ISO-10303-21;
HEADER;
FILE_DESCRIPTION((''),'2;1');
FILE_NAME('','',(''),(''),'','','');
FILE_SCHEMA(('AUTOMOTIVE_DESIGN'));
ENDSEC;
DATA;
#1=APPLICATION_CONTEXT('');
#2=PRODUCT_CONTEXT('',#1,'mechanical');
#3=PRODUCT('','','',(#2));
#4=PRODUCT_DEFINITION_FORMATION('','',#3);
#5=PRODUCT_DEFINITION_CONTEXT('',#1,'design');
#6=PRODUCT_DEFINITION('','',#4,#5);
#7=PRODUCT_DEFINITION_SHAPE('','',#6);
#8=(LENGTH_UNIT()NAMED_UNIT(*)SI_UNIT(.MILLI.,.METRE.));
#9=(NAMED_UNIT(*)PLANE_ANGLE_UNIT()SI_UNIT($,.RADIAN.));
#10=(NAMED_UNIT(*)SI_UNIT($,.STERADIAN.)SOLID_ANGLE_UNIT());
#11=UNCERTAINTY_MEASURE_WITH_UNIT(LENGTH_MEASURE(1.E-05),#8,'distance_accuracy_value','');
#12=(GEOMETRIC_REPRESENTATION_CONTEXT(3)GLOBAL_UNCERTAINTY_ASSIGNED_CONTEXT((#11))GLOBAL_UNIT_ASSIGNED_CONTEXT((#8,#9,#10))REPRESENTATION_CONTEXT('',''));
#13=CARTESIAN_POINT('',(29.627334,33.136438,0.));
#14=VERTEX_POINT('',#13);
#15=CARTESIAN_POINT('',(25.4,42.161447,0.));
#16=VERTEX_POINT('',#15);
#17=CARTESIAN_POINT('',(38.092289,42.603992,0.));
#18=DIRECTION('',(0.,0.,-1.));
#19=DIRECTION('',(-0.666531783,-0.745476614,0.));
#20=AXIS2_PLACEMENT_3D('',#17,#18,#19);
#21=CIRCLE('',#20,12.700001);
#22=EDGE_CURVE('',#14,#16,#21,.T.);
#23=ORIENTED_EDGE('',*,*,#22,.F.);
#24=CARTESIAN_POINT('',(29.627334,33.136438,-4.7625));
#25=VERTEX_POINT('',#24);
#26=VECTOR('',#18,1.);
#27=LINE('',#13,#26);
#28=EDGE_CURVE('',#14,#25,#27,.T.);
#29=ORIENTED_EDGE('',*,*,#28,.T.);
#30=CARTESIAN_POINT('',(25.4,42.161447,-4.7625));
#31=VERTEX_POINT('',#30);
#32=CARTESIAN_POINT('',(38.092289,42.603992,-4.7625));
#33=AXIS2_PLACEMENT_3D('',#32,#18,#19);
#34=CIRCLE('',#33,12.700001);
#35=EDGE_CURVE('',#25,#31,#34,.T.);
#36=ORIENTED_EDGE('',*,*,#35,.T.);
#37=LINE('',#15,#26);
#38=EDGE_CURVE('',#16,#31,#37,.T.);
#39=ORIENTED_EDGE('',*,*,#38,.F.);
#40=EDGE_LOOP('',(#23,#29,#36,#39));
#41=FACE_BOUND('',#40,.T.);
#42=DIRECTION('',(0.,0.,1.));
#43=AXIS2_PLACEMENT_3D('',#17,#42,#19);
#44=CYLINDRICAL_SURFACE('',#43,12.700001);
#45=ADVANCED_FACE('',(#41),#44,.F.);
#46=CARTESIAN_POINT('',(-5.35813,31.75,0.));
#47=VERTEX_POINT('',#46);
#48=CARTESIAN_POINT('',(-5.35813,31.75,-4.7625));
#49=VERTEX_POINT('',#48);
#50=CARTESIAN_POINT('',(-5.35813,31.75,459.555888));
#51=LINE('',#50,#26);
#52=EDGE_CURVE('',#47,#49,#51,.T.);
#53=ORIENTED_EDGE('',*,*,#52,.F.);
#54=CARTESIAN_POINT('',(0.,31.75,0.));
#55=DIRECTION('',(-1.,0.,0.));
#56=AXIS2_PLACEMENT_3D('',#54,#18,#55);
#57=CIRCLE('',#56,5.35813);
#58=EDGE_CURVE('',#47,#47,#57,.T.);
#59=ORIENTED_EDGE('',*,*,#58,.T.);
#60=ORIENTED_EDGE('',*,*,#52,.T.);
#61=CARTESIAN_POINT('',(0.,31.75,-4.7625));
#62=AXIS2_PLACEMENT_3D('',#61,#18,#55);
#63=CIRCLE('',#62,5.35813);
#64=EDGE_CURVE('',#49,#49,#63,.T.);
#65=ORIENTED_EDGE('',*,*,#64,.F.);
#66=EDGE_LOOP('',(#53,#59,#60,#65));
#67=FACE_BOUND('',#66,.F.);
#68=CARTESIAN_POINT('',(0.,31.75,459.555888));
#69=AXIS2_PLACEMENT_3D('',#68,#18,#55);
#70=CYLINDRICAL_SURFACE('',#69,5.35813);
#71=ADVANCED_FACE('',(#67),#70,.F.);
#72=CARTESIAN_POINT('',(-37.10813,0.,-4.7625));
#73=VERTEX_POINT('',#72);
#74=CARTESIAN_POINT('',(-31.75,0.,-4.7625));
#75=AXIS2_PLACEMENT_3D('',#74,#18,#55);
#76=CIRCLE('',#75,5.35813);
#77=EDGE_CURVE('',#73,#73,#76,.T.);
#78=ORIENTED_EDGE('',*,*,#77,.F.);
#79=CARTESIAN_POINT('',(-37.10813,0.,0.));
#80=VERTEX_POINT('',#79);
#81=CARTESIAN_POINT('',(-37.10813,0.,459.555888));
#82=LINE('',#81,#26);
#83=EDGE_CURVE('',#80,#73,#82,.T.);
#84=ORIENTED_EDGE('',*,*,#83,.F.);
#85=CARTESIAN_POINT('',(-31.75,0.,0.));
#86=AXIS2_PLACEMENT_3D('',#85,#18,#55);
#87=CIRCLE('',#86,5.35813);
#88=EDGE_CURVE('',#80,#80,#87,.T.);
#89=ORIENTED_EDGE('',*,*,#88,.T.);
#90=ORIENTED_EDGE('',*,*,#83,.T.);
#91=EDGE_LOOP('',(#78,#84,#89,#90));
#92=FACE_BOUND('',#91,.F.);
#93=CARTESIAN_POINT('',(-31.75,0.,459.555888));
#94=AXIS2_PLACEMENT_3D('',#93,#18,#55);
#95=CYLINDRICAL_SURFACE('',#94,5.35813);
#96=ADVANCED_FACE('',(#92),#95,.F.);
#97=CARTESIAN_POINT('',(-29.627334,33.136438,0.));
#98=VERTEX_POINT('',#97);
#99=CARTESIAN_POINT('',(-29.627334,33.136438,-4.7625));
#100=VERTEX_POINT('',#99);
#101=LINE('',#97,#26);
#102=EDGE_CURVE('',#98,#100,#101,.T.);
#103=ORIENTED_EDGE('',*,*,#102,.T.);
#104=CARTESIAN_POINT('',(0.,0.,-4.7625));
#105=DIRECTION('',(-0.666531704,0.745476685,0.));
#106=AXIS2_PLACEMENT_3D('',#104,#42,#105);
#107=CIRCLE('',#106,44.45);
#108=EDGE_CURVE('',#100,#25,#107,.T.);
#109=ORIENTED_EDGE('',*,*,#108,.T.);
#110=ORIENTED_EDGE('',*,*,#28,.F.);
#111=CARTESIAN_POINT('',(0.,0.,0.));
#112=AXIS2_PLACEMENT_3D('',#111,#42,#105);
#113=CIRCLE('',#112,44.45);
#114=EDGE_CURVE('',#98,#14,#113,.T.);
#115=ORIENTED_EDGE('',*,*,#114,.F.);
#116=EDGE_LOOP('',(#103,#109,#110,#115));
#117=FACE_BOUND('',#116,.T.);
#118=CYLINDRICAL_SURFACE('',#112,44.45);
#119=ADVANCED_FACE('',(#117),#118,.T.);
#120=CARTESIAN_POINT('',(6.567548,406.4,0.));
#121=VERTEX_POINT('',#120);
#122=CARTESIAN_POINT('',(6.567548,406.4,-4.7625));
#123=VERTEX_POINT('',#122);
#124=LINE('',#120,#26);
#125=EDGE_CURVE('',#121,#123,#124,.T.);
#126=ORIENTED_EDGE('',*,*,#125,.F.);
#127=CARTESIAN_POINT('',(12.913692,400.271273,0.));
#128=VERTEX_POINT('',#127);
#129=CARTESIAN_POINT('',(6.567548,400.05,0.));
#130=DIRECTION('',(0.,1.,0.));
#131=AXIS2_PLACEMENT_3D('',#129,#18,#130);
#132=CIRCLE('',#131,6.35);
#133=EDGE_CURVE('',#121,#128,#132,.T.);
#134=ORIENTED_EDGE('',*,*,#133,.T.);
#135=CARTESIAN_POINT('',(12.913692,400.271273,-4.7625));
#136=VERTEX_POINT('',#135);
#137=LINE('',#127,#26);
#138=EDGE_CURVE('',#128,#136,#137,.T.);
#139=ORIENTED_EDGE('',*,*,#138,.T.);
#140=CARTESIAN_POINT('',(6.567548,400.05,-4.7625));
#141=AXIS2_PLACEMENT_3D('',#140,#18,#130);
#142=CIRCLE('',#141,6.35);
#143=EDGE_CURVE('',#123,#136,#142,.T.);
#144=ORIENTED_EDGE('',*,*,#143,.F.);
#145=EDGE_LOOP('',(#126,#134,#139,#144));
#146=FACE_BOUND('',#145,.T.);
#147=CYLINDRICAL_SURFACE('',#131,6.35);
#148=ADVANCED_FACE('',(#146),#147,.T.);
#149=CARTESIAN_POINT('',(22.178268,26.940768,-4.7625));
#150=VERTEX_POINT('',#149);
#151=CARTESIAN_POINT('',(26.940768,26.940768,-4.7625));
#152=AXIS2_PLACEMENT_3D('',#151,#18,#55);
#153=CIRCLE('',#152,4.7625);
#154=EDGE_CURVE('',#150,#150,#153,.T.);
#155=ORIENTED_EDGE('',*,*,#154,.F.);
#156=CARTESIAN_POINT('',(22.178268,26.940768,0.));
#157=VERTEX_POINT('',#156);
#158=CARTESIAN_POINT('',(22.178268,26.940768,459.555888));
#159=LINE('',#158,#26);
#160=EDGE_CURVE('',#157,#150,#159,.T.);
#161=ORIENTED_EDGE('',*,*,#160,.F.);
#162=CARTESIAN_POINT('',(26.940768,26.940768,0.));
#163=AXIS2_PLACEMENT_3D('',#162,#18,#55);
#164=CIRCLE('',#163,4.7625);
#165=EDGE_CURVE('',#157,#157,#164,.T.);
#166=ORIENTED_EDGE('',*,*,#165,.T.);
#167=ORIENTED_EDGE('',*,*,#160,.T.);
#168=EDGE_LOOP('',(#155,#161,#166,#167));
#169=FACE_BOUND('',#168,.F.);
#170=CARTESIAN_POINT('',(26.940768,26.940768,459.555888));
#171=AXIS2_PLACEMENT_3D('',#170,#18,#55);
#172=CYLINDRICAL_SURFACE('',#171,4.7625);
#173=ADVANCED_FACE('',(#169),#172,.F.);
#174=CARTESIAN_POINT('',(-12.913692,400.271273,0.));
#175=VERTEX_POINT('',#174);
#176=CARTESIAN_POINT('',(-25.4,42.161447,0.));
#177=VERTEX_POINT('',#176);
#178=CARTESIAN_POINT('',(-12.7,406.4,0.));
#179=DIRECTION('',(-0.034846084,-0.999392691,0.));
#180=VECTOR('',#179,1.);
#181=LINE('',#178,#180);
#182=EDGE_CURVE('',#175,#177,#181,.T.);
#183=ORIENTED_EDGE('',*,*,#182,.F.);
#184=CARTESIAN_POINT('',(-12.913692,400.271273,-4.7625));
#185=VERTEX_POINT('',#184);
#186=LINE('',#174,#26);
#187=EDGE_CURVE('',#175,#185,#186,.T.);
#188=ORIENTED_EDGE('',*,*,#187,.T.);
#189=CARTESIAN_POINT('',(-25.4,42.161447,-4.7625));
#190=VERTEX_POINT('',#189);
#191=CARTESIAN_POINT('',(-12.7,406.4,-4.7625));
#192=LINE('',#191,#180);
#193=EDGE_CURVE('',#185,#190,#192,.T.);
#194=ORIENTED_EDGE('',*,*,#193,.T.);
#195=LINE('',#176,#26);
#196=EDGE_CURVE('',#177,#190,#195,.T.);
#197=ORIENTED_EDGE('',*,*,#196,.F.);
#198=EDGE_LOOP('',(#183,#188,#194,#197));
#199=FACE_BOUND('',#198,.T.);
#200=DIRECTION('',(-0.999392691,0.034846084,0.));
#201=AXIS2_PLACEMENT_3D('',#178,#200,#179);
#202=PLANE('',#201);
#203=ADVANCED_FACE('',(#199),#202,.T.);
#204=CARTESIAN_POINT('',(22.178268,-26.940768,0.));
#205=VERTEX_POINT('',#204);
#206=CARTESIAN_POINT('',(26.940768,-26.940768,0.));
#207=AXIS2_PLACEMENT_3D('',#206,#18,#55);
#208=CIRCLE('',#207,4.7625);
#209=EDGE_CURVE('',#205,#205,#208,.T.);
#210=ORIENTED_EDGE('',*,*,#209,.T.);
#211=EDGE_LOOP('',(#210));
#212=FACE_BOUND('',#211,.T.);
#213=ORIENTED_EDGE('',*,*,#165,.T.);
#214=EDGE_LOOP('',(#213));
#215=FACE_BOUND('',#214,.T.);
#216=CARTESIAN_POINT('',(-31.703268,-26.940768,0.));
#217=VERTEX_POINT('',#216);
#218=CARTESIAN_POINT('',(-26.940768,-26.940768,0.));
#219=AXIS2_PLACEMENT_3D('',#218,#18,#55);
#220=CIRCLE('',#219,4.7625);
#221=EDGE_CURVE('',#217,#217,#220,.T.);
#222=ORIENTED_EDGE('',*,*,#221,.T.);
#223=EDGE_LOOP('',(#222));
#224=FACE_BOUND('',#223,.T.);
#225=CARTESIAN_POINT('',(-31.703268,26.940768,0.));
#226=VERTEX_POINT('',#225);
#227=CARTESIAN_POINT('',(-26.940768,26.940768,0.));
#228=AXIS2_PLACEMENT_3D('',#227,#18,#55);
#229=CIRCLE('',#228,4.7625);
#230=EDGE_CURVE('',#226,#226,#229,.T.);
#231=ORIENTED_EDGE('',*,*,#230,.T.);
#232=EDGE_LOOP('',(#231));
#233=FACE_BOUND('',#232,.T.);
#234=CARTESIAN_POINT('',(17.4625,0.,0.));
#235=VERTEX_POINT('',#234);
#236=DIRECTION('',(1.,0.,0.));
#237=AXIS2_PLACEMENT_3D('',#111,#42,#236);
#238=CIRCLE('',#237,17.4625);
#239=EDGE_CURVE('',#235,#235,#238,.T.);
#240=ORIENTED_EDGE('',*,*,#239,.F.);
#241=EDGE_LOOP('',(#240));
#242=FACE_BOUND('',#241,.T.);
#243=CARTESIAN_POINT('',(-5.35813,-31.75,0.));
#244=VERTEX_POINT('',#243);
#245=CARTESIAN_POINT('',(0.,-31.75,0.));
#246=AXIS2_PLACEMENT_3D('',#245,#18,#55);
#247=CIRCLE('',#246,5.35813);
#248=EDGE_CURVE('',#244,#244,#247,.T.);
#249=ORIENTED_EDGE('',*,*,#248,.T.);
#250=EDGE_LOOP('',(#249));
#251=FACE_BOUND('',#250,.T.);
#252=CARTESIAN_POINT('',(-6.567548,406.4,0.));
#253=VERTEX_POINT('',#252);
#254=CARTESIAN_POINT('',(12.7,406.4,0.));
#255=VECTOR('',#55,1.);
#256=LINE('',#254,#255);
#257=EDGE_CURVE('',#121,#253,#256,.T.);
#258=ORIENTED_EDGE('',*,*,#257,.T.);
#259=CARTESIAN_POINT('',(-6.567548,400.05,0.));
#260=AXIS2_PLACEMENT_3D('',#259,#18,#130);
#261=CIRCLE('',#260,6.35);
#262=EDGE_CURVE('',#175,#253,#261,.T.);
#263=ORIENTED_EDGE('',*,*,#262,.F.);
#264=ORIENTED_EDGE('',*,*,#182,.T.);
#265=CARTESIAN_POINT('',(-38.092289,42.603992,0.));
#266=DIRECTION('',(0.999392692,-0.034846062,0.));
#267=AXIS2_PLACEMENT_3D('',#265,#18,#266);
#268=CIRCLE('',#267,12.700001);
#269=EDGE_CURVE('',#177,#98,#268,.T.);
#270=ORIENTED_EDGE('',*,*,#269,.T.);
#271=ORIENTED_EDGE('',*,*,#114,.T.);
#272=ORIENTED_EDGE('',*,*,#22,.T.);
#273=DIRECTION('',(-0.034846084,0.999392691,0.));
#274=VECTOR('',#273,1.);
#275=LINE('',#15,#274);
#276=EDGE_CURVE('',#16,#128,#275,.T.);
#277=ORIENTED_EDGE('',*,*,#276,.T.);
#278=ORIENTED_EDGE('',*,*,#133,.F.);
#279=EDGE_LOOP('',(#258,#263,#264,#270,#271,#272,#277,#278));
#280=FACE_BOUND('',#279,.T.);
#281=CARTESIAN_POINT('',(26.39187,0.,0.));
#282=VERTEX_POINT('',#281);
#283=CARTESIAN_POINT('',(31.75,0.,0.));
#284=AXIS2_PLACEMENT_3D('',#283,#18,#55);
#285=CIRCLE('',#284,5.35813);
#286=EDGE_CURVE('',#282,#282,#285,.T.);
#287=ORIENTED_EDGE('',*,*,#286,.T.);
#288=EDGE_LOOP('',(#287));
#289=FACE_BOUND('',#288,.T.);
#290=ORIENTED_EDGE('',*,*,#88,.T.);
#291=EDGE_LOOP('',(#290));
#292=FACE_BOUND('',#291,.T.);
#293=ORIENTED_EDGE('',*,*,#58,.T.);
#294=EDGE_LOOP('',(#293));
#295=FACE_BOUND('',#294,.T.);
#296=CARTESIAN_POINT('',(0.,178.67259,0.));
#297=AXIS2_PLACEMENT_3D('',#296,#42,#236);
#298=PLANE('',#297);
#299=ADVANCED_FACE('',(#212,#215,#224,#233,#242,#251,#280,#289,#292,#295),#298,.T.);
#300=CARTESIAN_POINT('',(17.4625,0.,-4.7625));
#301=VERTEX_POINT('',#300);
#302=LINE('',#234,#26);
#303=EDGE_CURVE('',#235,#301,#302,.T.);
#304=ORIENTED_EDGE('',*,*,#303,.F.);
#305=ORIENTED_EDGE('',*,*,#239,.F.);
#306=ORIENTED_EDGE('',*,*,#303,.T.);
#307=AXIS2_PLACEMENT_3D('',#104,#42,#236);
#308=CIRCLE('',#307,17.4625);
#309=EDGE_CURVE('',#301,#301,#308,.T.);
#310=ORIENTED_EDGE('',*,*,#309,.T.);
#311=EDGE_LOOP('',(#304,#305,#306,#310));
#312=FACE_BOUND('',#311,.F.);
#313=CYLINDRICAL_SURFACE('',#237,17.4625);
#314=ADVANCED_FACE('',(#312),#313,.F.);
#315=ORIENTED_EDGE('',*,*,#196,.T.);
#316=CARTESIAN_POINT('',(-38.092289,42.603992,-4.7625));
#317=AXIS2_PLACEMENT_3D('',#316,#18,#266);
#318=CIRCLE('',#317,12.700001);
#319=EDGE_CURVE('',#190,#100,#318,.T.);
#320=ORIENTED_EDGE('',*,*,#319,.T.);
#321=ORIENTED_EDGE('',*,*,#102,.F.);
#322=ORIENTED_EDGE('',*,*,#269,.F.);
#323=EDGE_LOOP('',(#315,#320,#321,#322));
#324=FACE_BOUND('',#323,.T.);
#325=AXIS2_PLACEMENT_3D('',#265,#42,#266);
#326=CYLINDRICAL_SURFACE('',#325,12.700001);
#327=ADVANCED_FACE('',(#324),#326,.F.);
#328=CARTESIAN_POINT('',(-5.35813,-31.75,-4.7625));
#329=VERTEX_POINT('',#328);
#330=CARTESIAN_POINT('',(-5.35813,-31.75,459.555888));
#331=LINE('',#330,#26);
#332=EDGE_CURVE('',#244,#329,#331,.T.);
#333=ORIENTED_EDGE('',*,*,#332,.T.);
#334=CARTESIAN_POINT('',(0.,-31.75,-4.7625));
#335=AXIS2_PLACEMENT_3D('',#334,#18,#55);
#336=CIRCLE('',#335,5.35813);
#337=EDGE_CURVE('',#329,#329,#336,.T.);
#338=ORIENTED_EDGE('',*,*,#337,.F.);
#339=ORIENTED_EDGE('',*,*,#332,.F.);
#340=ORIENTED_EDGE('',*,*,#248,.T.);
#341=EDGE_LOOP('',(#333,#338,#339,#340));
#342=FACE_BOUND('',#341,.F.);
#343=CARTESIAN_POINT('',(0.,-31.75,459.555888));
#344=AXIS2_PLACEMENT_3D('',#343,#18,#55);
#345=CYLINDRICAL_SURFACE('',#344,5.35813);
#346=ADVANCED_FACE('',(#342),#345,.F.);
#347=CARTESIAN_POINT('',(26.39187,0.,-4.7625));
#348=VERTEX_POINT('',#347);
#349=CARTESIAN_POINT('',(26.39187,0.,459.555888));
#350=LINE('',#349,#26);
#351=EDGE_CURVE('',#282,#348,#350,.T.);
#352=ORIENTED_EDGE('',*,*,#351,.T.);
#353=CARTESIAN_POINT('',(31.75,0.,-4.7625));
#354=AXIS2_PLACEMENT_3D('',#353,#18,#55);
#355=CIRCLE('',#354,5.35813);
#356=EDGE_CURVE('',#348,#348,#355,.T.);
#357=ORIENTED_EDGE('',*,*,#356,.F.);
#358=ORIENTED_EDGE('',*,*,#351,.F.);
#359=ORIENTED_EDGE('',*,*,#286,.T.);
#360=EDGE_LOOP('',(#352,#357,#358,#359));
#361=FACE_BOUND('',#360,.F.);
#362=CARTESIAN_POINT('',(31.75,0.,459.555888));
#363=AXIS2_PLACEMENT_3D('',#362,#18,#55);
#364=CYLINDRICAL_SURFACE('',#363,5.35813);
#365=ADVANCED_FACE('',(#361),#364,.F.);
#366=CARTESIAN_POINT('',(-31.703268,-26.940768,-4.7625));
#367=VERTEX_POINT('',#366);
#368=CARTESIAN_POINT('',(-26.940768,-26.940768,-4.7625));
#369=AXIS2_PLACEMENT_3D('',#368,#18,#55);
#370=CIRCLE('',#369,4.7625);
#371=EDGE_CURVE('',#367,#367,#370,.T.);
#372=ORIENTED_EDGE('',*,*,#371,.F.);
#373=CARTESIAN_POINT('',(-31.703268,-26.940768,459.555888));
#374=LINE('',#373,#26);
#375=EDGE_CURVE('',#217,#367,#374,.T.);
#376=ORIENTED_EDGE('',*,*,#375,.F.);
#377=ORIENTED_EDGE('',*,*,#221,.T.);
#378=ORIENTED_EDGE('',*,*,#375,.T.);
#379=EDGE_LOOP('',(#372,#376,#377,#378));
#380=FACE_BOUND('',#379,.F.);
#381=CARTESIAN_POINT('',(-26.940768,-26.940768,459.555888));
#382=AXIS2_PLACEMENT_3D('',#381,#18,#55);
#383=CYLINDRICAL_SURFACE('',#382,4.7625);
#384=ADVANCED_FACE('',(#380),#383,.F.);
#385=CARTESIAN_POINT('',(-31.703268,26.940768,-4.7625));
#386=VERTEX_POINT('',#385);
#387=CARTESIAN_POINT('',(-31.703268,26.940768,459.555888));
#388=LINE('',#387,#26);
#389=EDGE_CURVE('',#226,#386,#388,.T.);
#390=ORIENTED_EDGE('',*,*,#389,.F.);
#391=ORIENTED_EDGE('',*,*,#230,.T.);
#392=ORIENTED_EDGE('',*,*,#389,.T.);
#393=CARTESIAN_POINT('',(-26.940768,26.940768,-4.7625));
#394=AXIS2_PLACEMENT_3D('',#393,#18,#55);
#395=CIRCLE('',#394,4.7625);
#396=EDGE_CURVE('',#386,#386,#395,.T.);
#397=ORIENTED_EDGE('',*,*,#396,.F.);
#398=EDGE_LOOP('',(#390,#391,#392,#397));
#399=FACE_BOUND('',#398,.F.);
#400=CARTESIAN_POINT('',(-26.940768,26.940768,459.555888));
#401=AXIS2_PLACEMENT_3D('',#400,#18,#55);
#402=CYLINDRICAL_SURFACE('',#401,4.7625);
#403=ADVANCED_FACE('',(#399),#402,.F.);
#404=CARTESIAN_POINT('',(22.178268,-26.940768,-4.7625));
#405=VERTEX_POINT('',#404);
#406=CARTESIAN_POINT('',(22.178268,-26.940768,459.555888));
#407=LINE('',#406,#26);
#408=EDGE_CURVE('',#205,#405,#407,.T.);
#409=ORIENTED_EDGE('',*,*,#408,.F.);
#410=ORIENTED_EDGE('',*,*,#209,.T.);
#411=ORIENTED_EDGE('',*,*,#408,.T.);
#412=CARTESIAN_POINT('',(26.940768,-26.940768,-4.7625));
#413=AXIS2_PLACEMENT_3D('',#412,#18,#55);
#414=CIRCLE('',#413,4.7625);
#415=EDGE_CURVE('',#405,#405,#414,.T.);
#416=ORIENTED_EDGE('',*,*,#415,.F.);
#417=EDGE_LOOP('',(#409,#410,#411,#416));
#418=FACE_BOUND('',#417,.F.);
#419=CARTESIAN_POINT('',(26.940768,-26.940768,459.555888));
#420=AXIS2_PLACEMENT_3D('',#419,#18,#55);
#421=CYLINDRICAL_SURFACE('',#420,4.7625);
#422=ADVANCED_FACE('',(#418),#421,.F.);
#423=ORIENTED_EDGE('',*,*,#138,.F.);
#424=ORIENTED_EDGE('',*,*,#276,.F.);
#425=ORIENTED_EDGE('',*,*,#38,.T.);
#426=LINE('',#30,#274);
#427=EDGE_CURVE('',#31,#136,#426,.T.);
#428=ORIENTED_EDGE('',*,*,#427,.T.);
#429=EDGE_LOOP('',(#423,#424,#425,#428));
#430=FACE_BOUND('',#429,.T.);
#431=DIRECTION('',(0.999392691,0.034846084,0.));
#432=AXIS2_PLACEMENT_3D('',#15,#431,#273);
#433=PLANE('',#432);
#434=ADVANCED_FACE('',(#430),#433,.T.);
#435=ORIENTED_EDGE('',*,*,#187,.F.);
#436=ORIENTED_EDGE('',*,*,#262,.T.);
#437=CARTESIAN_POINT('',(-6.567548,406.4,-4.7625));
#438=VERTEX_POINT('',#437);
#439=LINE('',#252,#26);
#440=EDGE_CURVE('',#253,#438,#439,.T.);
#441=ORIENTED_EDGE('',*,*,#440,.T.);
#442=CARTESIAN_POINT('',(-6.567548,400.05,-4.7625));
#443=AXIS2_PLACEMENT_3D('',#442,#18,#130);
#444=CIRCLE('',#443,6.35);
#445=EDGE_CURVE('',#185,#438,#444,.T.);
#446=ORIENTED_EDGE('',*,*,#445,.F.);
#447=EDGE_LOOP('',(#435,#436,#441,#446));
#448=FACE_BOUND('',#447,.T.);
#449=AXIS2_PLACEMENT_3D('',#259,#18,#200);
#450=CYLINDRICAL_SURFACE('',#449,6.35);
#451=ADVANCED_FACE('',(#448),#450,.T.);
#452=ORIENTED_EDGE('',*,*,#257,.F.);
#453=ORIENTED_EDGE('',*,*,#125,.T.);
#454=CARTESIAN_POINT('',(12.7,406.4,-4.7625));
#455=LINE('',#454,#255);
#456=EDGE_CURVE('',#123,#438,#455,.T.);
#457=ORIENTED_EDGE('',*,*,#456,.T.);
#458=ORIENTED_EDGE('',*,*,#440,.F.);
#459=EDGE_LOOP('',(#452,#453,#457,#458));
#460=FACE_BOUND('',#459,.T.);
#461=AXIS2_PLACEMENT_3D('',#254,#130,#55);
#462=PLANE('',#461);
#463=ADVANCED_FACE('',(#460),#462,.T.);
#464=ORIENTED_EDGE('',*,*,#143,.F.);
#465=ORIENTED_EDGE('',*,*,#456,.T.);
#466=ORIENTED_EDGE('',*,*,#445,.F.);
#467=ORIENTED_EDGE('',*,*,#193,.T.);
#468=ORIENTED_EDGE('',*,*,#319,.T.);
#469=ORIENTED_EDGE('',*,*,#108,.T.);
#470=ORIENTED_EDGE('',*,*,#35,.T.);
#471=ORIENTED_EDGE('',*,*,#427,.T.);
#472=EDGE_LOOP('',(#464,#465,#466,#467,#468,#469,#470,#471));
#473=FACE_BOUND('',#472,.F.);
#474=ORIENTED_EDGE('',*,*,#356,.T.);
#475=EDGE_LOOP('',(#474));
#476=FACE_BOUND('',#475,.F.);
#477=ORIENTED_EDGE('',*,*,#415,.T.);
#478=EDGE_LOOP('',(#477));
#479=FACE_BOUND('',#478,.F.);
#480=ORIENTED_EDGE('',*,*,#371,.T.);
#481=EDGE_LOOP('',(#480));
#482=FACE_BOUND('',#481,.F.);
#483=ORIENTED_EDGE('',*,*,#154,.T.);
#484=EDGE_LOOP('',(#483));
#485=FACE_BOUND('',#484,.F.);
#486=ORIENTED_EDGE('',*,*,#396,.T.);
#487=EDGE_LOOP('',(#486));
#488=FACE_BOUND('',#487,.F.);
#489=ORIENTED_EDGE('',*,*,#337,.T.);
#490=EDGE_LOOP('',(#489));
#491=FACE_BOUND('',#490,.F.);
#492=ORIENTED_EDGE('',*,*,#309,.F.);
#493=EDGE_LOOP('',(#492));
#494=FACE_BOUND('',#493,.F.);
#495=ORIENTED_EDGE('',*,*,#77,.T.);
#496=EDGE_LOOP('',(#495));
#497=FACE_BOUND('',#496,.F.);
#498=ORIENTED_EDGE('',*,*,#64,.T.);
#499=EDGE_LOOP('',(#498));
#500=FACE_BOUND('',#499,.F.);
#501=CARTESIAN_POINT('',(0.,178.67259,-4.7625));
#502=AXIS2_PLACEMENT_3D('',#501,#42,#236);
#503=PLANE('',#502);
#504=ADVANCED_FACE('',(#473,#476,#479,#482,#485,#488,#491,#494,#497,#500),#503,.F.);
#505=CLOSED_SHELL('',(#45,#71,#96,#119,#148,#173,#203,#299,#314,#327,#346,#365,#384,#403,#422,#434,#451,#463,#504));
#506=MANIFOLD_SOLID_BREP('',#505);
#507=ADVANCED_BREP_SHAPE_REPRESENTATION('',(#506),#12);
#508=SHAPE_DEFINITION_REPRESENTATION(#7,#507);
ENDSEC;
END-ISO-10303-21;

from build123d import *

# Parameters (mm, degrees)
F0_R     = 17.4625
F1_DEPTH = 4.7625
F2_D     = 10.71626
F3_R     = 6.35
F5_D     = 9.525


with BuildPart() as f1:
    # F0 (on Top) → F1 (new body)
    with BuildSketch(Plane.XY):
        with BuildLine():
            ThreePointArc((-25.4, 42.161447), (-26.591422, 37.216961), (-29.627334, 33.136438))
            ThreePointArc((-29.627334, 33.136438), (0, -44.45), (29.627334, 33.136438))
            ThreePointArc((29.627334, 33.136438), (26.591422, 37.216961), (25.4, 42.161447))
            Line((25.4, 42.161447), (12.7, 406.4))
            Line((12.7, 406.4), (-12.7, 406.4))
            Line((-12.7, 406.4), (-25.4, 42.161447))
        make_face()
        Circle(F0_R, mode=Mode.SUBTRACT)
    extrude(amount=-F1_DEPTH)

    # F2 (through all)
    with Locations(Plane.XY):
        with Locations((0, 31.75), (31.75, 0), (0, -31.75), (-31.75, 0)):
            Hole(F2_D / 2)

    # F3
    f3_edges = [f1.edges().sort_by_distance(p)[0] for p in [
        (-12.7, 406.4, -2.38125),
        (12.7, 406.4, -2.38125),
    ]]
    fillet(f3_edges, radius=F3_R)

    # F5 (through all)
    with Locations(Plane.XY):
        with Locations((-26.940768, 26.940768), (26.940768, 26.940768), (26.940768, -26.940768), (-26.940768, -26.940768)):
            Hole(F5_D / 2)


solid = f1.part
